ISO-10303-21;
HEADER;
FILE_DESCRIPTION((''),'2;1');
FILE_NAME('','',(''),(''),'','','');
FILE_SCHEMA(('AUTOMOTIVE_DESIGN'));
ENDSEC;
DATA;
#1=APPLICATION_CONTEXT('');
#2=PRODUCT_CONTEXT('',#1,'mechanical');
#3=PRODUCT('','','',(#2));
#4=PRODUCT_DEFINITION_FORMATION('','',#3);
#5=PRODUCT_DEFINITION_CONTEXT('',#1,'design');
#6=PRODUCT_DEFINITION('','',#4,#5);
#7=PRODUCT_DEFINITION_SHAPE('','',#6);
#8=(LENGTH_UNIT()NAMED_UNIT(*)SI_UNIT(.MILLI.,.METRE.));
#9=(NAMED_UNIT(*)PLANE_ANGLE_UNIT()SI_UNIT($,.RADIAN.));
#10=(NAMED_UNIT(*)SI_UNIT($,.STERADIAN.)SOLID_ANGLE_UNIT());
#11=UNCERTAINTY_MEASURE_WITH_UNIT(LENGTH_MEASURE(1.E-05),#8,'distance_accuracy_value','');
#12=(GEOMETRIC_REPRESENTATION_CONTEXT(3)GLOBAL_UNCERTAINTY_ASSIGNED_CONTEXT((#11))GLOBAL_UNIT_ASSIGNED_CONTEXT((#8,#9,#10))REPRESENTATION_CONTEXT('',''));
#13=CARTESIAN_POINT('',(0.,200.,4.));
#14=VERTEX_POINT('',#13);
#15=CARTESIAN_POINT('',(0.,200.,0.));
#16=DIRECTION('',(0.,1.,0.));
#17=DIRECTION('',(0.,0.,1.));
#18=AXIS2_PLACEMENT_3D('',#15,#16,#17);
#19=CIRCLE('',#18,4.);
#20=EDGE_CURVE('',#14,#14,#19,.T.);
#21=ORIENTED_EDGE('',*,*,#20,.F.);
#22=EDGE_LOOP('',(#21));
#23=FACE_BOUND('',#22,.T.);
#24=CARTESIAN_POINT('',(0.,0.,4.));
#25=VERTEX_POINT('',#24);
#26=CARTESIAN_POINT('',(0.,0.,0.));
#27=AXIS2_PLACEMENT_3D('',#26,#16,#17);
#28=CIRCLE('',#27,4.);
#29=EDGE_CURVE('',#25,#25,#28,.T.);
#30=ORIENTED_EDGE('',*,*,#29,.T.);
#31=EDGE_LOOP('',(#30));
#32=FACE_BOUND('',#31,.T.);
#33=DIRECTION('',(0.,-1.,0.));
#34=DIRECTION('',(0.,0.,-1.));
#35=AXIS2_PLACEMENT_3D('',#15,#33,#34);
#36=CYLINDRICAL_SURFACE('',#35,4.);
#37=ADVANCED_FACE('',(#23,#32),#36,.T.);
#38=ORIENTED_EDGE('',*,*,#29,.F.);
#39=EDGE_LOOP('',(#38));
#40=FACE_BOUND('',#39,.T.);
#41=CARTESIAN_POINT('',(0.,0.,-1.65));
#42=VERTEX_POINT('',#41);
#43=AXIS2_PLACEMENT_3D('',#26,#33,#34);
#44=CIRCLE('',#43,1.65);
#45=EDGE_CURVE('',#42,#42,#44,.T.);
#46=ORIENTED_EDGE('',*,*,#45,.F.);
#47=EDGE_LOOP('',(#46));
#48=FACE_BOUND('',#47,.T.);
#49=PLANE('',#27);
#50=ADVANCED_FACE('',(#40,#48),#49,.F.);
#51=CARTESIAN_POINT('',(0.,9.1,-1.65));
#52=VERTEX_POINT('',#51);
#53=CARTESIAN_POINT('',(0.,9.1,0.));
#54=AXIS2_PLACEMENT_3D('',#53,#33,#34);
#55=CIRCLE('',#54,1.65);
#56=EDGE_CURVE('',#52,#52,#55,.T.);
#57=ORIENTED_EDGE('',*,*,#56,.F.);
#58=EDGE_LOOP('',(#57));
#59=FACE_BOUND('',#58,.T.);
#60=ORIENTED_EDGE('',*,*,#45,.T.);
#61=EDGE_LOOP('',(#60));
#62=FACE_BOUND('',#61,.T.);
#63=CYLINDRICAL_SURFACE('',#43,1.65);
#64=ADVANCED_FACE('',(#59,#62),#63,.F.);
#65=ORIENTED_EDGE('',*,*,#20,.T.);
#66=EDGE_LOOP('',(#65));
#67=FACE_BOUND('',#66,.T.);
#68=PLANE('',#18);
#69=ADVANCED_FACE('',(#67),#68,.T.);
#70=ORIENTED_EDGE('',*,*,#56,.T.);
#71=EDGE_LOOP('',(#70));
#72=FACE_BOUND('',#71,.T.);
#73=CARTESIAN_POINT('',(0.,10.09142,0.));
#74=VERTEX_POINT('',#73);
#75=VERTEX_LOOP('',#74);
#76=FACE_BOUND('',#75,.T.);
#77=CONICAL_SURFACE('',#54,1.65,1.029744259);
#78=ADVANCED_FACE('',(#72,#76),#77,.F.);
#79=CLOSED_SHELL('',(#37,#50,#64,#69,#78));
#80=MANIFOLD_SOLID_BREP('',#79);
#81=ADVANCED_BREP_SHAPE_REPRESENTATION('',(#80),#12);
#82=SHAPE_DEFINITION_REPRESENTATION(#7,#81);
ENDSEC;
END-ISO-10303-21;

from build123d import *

# Parameters (mm, degrees)
SKETCH1_R                 = 4
BOSS_EXTRUDE1_DEPTH       = 200
M4X0_7_TAPPED_HOLE1_D     = 3.3
M4X0_7_TAPPED_HOLE1_DEPTH = 9.1
M4X0_7_TAPPED_HOLE1_TIP   = 0.991420021


with BuildPart() as part:
    # Sketch1 → Boss-Extrude1 (new body)
    with BuildSketch(Plane(origin=(0, 0, 0), x_dir=(1, 0, 0), z_dir=(0, 1, 0))):
        Circle(SKETCH1_R)
    extrude(amount=BOSS_EXTRUDE1_DEPTH)

    # M4x0.7 Tapped Hole1
    with Locations(Plane(origin=(0, 0, 0), x_dir=(-1, 0, 0), z_dir=(0, -1, 0))):
        with Locations((0, 0)):
            Hole(M4X0_7_TAPPED_HOLE1_D / 2, depth=M4X0_7_TAPPED_HOLE1_DEPTH)
            with Locations((0, 0, -(M4X0_7_TAPPED_HOLE1_DEPTH + M4X0_7_TAPPED_HOLE1_TIP / 2))):  # 118° drill point
                Cone(0, M4X0_7_TAPPED_HOLE1_D / 2, M4X0_7_TAPPED_HOLE1_TIP, mode=Mode.SUBTRACT)


solid = part.part
